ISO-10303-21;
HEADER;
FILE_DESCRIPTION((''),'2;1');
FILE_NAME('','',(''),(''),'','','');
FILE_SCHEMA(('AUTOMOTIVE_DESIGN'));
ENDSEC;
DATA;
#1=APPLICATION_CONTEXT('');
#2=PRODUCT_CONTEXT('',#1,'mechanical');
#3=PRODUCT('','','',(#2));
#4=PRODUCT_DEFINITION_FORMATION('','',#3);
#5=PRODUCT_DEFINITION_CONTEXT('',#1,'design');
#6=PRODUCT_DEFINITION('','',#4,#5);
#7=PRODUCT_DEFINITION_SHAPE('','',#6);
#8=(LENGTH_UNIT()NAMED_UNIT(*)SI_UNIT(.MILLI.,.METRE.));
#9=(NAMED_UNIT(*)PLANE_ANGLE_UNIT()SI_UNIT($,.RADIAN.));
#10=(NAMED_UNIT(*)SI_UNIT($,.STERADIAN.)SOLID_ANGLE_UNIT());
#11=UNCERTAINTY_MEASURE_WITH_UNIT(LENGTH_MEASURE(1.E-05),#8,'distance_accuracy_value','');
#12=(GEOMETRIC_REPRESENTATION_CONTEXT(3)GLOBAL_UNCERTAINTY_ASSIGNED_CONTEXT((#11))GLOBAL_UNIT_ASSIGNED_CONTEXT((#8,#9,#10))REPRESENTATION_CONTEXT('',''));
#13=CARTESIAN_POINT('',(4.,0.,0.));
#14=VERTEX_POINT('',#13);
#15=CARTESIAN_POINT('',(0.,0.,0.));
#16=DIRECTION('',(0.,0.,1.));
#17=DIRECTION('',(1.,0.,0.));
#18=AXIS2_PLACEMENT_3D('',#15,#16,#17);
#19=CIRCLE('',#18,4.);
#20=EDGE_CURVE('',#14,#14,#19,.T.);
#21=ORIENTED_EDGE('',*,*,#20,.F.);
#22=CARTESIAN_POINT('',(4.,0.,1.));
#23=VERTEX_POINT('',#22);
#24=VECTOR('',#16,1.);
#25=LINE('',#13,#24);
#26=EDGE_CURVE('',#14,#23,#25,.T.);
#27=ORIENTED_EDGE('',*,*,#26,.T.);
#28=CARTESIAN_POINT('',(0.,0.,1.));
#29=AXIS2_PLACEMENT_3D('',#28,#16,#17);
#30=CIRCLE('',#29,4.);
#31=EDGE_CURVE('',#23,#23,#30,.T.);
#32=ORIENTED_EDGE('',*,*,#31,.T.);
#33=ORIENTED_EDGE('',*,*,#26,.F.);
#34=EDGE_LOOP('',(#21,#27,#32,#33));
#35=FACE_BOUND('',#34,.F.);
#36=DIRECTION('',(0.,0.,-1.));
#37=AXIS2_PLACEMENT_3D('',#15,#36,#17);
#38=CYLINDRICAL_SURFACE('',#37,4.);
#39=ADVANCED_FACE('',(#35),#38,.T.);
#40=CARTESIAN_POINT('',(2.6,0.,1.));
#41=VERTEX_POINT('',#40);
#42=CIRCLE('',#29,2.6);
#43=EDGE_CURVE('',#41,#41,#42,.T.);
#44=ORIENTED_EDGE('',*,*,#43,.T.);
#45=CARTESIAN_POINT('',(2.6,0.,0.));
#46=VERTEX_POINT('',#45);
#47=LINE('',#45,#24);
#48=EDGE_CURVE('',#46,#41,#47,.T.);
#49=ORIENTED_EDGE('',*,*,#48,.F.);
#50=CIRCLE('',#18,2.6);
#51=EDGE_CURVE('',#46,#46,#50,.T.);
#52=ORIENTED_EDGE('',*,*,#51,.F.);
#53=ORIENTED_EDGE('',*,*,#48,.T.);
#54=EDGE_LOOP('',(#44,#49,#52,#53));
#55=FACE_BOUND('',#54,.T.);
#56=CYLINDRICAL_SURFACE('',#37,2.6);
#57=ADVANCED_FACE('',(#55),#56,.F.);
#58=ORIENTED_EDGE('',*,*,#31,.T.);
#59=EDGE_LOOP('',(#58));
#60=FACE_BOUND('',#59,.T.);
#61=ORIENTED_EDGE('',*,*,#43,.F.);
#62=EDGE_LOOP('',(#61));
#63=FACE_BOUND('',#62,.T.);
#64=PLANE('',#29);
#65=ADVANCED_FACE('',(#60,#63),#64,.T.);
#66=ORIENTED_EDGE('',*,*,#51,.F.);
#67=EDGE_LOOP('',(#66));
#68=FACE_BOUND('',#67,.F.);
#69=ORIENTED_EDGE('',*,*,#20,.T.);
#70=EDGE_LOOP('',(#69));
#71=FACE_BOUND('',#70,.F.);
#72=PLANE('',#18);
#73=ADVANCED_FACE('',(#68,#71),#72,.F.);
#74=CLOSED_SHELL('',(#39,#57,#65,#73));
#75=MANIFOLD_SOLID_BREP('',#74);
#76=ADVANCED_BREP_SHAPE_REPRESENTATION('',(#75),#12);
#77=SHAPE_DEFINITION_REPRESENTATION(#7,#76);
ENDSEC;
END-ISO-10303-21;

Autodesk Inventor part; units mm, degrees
ref_plane "YZ Plane" through (0, 0, 0) normal (1, 0, 0) x (0, 1, 0)
ref_plane "XZ Plane" through (0, 0, 0) normal (0, 1, 0) x (-1, 0, 0)
ref_plane "XY Plane" through (0, 0, 0) normal (0, 0, 1) x (1, 0, 0)
sketch "スケッチ1" plane through (0, 0, 0) normal (0, 0, 1) x (1, 0, 0)
  circle A0 centre (0, 0) radius 4
  circle A1 centre (0, 0) radius 2.6
  dimension "d0" = 8
  dimension "d1" = 5.2
extrude "押し出し1" add sketch "スケッチ1" along normal blind 1
properties part number "足首_独立ピッチ_1_3" material "アセタール樹脂、黒"
